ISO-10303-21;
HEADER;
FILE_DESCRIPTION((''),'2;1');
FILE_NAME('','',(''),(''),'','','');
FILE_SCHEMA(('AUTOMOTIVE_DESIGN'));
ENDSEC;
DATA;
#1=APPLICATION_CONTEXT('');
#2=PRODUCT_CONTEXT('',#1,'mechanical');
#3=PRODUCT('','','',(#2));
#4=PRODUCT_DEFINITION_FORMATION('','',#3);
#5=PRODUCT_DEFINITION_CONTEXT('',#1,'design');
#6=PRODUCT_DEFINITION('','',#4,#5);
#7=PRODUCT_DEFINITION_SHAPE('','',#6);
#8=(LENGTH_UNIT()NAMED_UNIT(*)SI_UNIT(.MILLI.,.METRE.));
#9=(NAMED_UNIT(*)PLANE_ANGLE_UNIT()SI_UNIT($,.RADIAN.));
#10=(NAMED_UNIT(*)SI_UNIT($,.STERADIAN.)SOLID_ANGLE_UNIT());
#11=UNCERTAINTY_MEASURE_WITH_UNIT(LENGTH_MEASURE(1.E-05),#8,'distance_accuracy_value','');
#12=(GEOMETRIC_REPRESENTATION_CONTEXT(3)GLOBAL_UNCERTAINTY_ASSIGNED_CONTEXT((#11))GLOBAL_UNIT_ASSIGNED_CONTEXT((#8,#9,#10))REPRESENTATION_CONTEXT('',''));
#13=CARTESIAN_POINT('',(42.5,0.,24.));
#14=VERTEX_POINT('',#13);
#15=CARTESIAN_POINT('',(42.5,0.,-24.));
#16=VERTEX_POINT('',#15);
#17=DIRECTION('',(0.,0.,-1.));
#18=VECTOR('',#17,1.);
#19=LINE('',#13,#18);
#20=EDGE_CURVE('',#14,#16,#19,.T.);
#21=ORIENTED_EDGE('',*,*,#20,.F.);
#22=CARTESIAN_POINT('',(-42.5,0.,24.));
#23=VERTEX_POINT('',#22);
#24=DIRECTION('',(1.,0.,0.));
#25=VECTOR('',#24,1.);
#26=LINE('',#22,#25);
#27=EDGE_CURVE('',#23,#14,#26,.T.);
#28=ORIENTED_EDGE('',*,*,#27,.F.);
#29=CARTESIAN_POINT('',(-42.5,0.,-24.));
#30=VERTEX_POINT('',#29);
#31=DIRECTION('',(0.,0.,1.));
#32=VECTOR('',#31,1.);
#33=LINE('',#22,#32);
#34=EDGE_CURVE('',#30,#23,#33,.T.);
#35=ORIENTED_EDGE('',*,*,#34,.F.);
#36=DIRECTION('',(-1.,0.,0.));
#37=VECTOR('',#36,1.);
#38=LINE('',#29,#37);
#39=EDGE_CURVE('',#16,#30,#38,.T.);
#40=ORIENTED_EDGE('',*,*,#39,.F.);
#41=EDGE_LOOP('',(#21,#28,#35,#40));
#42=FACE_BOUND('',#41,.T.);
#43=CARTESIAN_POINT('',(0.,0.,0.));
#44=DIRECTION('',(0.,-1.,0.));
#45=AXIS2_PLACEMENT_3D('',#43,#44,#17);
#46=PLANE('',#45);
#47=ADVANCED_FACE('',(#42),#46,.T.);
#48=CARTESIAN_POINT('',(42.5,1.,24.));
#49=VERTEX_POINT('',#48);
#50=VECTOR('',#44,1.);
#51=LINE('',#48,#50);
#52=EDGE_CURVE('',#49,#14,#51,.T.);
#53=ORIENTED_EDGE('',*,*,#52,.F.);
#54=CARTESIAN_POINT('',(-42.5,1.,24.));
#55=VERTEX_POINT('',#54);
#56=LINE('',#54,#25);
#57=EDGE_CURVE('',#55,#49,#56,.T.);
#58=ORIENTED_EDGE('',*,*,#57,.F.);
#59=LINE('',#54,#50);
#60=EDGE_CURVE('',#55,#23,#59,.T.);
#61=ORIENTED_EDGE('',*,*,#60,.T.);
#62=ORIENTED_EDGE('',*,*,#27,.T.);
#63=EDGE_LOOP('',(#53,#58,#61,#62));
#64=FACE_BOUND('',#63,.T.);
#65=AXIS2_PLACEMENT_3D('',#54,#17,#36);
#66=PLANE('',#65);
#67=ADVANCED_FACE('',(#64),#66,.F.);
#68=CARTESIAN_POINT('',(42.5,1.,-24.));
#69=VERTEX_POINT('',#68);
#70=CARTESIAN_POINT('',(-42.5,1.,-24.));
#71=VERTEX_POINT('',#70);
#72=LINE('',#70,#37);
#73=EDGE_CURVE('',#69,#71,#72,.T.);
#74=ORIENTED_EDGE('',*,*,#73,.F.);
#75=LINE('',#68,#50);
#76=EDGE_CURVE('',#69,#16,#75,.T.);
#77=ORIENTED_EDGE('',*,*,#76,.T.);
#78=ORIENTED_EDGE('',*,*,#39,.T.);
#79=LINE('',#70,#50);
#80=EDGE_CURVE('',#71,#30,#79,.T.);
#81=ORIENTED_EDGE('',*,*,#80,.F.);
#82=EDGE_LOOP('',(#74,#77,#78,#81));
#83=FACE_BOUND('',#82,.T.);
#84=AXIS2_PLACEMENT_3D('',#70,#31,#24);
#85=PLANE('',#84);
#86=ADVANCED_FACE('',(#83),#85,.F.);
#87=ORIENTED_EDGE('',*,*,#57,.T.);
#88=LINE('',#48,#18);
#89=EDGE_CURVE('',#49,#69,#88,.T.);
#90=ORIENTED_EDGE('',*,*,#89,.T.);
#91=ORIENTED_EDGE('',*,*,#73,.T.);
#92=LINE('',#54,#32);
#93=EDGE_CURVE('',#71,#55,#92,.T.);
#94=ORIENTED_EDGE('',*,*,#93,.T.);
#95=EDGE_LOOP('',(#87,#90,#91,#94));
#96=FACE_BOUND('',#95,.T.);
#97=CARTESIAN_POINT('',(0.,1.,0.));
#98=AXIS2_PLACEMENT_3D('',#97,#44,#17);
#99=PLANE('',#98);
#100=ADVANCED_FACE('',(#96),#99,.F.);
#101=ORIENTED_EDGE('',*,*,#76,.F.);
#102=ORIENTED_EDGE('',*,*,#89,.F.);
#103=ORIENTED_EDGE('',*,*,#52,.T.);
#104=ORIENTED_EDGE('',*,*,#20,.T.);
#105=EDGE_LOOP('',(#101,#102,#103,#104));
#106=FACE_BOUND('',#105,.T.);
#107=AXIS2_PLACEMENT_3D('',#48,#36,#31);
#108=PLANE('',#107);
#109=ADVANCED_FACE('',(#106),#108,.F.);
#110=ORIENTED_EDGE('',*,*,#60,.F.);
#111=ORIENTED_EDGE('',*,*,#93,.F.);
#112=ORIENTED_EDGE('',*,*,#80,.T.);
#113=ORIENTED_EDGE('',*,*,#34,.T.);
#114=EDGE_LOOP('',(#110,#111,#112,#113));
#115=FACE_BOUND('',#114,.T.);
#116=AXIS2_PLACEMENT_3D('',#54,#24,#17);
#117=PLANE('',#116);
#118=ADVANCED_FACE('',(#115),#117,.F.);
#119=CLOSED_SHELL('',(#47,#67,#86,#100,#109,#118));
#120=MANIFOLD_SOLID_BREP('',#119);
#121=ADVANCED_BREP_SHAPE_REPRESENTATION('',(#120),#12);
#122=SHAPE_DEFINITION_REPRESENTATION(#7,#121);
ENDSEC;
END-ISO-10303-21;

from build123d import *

# Parameters (mm, degrees)
SKETCH_1_W      = 85
SKETCH_1_H      = 48
EXTRUDE_1_DEPTH = 1


with BuildPart() as part:
    # 草图1 → 凸台-拉伸1 (new body)
    with BuildSketch(Plane(origin=(0, 0, 0), x_dir=(1, 0, 0), z_dir=(0, 1, 0))):
        Rectangle(SKETCH_1_W, SKETCH_1_H)
    extrude(amount=EXTRUDE_1_DEPTH)


solid = part.part
